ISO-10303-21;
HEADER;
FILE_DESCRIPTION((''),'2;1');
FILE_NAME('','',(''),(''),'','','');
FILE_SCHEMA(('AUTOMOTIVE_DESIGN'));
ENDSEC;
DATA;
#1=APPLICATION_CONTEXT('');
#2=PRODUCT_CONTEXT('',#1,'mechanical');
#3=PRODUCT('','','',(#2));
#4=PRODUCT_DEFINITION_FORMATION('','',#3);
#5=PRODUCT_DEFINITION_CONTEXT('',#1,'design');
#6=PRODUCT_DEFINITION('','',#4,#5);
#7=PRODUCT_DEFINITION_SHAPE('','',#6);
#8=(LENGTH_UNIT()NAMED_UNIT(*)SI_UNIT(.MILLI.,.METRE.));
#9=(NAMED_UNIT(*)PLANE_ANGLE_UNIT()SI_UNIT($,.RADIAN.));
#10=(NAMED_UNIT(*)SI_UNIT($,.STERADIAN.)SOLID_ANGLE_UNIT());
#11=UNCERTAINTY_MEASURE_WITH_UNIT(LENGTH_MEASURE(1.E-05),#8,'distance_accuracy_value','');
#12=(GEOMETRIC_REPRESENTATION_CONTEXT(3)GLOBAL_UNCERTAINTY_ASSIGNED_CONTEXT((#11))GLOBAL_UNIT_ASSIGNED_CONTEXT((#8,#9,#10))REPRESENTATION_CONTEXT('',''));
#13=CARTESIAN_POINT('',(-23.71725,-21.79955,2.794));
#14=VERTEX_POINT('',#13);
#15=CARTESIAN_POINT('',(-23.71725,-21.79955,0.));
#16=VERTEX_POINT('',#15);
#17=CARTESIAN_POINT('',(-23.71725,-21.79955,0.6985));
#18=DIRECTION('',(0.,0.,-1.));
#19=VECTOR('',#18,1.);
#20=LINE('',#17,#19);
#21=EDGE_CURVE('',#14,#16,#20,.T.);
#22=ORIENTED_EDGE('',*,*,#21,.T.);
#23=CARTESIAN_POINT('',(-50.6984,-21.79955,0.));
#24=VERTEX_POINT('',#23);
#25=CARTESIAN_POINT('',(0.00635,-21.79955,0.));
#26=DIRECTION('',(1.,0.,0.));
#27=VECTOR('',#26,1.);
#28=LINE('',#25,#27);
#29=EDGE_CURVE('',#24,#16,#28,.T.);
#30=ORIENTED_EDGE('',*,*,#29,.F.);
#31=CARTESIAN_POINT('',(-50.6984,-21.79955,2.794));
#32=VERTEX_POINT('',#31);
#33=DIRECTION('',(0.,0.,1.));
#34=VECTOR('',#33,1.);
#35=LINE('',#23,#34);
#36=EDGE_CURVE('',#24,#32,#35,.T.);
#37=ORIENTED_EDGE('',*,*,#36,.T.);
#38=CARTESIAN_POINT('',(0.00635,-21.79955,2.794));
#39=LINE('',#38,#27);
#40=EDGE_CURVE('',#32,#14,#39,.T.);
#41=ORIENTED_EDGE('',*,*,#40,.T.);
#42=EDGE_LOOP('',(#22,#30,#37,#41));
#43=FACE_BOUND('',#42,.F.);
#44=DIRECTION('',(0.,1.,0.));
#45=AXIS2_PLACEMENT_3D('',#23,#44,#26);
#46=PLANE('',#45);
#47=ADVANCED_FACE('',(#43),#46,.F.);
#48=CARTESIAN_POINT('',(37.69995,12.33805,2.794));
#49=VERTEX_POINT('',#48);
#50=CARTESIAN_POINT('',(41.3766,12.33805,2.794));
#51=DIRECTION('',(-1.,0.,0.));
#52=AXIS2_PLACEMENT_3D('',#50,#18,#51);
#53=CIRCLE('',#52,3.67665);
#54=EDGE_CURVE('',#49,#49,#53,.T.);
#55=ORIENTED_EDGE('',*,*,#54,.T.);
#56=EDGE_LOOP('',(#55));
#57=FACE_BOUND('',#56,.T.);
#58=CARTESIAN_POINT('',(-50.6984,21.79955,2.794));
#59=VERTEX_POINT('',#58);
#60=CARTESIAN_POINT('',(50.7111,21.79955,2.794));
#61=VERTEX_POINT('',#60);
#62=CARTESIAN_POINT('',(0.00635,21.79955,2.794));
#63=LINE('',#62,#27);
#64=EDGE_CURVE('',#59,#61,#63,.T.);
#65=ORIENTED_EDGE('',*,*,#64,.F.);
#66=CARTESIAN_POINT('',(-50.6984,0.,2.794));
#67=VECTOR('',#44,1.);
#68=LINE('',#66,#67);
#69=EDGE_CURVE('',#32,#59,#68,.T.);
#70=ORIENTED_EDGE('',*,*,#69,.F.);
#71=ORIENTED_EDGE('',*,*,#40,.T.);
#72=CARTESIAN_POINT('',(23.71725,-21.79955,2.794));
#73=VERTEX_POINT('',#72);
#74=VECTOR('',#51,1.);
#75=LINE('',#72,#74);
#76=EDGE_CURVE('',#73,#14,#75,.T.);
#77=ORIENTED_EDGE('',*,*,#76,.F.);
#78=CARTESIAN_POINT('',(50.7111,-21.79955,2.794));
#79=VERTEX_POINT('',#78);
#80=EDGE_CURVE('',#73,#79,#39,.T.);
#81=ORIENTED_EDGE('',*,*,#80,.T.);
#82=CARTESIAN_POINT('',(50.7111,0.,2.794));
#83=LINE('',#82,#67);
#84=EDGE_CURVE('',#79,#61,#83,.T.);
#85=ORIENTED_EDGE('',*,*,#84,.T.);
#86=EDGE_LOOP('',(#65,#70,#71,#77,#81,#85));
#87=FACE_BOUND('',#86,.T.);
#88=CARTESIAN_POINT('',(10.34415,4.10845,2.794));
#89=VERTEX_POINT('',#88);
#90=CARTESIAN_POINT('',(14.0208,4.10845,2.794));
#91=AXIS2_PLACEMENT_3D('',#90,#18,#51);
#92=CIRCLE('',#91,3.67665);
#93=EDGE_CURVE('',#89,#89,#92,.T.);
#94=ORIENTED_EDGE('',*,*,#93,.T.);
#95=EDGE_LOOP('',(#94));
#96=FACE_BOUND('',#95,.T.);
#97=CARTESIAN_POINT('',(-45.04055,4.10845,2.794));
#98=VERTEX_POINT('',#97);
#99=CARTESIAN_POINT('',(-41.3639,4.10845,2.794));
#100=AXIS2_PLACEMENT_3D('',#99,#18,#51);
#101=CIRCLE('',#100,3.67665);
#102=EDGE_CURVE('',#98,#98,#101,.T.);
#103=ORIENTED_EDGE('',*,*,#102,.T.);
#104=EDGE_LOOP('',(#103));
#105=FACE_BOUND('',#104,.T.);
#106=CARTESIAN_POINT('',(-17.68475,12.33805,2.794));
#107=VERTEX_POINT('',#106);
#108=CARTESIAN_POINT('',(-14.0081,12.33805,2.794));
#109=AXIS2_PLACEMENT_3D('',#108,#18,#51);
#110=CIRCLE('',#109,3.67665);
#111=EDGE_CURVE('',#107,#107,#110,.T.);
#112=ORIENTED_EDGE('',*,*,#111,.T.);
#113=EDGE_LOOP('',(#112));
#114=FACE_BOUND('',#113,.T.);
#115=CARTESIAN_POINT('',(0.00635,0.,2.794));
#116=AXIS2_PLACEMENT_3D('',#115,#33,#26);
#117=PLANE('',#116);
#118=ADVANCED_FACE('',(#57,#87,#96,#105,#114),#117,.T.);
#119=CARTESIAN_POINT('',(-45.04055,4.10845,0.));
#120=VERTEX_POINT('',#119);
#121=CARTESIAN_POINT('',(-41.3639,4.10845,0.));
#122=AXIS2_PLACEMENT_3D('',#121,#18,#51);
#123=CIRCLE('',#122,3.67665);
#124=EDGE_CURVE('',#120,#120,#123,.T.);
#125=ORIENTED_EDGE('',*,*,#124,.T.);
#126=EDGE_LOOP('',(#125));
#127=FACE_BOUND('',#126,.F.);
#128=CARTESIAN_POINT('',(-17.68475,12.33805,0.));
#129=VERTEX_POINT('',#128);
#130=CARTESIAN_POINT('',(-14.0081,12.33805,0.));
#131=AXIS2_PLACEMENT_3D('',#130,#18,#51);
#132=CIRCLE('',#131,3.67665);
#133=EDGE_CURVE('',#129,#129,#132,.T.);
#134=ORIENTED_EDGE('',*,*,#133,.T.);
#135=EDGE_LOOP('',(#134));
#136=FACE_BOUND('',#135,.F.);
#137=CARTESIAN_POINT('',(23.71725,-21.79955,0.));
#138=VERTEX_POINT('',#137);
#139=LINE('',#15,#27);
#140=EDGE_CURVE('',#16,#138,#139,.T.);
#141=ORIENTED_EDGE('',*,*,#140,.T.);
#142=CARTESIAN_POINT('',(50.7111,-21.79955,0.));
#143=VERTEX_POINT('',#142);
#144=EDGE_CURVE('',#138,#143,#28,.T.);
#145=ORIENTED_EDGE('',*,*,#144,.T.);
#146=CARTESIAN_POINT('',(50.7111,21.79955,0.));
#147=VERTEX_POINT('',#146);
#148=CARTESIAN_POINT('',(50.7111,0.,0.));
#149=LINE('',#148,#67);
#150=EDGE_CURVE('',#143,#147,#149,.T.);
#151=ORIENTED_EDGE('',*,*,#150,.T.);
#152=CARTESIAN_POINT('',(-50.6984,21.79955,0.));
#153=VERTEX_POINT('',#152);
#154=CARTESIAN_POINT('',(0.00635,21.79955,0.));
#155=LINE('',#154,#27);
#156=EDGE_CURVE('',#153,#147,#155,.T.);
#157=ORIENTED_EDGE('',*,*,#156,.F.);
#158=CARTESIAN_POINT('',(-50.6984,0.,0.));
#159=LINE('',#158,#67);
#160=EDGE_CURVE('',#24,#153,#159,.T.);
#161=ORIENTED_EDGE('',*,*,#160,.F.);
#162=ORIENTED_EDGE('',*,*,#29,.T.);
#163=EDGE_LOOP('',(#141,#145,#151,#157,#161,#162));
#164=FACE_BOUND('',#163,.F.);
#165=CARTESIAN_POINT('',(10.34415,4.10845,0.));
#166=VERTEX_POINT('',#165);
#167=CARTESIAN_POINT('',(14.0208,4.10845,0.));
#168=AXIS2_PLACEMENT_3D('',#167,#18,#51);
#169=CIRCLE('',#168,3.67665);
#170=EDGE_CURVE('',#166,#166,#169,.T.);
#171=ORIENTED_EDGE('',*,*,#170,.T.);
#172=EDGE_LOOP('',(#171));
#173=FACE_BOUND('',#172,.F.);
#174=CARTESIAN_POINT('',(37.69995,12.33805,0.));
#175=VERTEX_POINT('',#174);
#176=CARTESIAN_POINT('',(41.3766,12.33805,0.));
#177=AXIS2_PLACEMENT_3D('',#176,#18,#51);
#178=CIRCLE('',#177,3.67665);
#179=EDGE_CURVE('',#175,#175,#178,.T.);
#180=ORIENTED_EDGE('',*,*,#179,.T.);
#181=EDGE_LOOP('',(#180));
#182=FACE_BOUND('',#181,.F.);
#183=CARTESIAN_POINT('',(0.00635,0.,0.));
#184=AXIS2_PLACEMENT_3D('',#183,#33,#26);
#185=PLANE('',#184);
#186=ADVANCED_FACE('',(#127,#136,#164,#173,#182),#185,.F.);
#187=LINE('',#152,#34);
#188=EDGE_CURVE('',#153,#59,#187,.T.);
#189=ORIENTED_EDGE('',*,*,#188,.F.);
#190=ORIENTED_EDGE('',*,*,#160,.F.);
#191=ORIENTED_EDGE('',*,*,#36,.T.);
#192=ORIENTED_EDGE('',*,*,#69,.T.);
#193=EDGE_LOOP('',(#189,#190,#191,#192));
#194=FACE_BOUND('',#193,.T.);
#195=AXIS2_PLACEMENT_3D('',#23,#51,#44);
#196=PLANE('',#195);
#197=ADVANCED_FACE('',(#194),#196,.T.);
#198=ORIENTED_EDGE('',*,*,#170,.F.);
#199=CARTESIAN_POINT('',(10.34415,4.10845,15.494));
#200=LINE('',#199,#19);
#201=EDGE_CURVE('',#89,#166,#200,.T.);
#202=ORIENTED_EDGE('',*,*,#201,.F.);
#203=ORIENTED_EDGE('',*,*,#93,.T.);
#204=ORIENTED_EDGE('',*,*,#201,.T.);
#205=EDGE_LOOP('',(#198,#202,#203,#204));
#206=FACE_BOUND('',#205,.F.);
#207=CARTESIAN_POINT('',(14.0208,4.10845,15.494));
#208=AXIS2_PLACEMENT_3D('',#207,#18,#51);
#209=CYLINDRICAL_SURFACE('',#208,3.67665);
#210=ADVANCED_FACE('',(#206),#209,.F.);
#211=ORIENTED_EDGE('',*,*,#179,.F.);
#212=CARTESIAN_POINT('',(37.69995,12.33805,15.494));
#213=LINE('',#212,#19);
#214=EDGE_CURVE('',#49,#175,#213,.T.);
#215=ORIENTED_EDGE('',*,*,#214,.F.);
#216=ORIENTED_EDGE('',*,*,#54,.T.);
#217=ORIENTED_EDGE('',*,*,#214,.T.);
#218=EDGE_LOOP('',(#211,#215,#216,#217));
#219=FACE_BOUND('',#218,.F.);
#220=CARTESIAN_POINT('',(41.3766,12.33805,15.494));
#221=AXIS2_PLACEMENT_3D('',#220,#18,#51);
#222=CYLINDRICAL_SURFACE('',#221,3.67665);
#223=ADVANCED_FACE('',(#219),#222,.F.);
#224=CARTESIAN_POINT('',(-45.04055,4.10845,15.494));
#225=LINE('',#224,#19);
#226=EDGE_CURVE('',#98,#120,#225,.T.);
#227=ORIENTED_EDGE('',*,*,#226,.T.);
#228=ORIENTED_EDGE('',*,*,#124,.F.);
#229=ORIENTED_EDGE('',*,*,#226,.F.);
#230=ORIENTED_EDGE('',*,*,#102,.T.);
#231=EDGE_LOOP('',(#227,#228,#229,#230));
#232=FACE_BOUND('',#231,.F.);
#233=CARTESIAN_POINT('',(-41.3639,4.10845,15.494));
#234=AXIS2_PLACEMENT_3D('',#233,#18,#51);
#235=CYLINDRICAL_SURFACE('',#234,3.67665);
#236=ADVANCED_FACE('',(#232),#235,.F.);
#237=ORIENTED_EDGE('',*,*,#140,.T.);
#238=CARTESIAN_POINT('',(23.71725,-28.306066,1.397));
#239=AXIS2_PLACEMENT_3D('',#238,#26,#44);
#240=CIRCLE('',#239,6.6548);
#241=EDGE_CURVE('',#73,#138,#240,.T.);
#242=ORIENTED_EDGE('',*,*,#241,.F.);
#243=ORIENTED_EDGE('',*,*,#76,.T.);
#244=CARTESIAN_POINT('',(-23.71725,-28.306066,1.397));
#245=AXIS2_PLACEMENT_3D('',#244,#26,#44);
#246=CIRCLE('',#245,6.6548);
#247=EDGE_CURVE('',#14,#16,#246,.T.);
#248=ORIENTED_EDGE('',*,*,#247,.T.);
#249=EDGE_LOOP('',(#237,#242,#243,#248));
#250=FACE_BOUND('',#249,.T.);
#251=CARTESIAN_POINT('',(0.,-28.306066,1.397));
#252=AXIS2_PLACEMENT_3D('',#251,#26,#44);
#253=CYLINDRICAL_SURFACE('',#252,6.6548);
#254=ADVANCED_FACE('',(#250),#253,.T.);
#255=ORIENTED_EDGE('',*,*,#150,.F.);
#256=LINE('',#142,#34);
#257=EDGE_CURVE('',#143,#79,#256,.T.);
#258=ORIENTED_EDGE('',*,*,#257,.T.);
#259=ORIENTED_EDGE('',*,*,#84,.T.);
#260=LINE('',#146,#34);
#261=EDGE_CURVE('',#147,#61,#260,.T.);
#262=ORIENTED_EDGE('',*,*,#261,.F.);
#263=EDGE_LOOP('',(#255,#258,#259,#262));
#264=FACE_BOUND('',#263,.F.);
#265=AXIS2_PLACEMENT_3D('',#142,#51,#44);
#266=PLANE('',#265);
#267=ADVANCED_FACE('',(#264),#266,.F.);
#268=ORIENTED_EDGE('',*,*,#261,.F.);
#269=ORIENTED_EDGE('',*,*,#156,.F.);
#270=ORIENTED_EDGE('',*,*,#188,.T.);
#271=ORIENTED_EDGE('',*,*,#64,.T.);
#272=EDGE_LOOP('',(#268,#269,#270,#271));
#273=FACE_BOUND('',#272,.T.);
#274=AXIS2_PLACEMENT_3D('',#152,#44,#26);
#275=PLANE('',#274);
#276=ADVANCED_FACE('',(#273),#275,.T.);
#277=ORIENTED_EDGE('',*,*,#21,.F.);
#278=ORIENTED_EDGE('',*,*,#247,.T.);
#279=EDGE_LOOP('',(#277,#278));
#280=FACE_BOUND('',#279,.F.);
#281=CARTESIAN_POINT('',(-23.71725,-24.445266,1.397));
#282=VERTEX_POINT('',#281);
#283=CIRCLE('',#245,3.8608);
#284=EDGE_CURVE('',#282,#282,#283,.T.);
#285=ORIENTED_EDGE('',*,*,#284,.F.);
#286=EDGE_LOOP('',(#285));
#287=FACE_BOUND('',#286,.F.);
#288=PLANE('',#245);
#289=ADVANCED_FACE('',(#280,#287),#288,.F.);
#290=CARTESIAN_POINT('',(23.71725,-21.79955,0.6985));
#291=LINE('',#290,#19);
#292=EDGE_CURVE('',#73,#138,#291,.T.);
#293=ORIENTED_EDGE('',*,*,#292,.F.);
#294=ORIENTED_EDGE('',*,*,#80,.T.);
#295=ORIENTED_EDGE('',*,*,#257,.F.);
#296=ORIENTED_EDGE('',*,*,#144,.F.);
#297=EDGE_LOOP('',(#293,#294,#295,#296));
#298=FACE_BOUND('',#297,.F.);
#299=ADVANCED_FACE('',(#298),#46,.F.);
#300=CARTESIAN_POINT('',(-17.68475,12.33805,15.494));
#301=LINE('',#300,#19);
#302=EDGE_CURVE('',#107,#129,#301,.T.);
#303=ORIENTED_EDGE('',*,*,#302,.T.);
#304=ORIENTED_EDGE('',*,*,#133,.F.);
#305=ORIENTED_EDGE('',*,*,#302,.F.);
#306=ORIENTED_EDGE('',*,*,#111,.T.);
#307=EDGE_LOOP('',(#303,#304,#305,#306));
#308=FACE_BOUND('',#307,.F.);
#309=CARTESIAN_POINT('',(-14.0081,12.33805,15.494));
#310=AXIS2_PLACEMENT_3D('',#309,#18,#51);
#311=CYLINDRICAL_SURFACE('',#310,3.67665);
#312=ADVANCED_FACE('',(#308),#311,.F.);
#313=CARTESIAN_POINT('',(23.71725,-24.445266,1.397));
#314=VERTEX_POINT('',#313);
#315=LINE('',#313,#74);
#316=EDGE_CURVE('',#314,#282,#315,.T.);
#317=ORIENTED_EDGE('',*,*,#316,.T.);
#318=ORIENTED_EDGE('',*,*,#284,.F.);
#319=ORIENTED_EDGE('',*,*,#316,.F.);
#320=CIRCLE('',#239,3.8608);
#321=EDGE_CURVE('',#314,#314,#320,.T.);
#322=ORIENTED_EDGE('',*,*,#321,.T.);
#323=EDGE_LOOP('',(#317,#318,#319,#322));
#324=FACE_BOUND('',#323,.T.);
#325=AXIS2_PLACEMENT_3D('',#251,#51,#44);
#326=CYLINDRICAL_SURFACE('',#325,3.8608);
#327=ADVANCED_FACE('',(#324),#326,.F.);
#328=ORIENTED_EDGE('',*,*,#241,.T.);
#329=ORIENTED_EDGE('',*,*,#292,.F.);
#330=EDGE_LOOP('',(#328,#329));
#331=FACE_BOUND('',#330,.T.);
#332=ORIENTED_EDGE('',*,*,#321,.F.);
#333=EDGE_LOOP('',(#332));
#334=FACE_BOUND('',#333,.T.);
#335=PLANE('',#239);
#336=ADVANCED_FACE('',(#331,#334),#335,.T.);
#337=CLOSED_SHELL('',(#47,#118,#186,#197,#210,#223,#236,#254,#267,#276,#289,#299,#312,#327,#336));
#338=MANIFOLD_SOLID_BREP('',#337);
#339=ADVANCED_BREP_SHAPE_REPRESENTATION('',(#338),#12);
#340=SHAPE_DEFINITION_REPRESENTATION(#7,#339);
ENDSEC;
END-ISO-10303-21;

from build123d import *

# Parameters (mm, degrees)
F0_W          = 101.4095
F0_H          = 43.5991
F1_DEPTH      = 2.794
F2_R          = 6.6548
F2_R_2        = 3.8608
F3_DEPTH      = 23.71725
F3_DEPTH_BACK = 23.71725
F5_D          = 7.3533
F5_DEPTH      = 12.7


with BuildPart() as f1:
    # F0 (on Top) → F1 (new body)
    with BuildSketch(Plane.XY):
        with Locations((0.00635, 0)):
            Rectangle(F0_W, F0_H)
    extrude(amount=F1_DEPTH)

    # F2 (on Right) → F3 (join, two sides)
    with BuildSketch(Plane.YZ) as f3_sk:
        with Locations((-28.306066, 1.397)):
            Circle(F2_R)
        with Locations((-28.306066, 1.397)):
            Circle(F2_R_2, mode=Mode.SUBTRACT)
    extrude(amount=F3_DEPTH)
    extrude(f3_sk.sketch, amount=-F3_DEPTH_BACK)

    # F5
    with Locations(Plane.XY.offset(2.794)):
        with Locations((14.0208, 4.10845), (-14.0081, 12.33805), (-41.3639, 4.10845), (41.3766, 12.33805)):
            Hole(F5_D / 2, depth=F5_DEPTH)


solid = f1.part
